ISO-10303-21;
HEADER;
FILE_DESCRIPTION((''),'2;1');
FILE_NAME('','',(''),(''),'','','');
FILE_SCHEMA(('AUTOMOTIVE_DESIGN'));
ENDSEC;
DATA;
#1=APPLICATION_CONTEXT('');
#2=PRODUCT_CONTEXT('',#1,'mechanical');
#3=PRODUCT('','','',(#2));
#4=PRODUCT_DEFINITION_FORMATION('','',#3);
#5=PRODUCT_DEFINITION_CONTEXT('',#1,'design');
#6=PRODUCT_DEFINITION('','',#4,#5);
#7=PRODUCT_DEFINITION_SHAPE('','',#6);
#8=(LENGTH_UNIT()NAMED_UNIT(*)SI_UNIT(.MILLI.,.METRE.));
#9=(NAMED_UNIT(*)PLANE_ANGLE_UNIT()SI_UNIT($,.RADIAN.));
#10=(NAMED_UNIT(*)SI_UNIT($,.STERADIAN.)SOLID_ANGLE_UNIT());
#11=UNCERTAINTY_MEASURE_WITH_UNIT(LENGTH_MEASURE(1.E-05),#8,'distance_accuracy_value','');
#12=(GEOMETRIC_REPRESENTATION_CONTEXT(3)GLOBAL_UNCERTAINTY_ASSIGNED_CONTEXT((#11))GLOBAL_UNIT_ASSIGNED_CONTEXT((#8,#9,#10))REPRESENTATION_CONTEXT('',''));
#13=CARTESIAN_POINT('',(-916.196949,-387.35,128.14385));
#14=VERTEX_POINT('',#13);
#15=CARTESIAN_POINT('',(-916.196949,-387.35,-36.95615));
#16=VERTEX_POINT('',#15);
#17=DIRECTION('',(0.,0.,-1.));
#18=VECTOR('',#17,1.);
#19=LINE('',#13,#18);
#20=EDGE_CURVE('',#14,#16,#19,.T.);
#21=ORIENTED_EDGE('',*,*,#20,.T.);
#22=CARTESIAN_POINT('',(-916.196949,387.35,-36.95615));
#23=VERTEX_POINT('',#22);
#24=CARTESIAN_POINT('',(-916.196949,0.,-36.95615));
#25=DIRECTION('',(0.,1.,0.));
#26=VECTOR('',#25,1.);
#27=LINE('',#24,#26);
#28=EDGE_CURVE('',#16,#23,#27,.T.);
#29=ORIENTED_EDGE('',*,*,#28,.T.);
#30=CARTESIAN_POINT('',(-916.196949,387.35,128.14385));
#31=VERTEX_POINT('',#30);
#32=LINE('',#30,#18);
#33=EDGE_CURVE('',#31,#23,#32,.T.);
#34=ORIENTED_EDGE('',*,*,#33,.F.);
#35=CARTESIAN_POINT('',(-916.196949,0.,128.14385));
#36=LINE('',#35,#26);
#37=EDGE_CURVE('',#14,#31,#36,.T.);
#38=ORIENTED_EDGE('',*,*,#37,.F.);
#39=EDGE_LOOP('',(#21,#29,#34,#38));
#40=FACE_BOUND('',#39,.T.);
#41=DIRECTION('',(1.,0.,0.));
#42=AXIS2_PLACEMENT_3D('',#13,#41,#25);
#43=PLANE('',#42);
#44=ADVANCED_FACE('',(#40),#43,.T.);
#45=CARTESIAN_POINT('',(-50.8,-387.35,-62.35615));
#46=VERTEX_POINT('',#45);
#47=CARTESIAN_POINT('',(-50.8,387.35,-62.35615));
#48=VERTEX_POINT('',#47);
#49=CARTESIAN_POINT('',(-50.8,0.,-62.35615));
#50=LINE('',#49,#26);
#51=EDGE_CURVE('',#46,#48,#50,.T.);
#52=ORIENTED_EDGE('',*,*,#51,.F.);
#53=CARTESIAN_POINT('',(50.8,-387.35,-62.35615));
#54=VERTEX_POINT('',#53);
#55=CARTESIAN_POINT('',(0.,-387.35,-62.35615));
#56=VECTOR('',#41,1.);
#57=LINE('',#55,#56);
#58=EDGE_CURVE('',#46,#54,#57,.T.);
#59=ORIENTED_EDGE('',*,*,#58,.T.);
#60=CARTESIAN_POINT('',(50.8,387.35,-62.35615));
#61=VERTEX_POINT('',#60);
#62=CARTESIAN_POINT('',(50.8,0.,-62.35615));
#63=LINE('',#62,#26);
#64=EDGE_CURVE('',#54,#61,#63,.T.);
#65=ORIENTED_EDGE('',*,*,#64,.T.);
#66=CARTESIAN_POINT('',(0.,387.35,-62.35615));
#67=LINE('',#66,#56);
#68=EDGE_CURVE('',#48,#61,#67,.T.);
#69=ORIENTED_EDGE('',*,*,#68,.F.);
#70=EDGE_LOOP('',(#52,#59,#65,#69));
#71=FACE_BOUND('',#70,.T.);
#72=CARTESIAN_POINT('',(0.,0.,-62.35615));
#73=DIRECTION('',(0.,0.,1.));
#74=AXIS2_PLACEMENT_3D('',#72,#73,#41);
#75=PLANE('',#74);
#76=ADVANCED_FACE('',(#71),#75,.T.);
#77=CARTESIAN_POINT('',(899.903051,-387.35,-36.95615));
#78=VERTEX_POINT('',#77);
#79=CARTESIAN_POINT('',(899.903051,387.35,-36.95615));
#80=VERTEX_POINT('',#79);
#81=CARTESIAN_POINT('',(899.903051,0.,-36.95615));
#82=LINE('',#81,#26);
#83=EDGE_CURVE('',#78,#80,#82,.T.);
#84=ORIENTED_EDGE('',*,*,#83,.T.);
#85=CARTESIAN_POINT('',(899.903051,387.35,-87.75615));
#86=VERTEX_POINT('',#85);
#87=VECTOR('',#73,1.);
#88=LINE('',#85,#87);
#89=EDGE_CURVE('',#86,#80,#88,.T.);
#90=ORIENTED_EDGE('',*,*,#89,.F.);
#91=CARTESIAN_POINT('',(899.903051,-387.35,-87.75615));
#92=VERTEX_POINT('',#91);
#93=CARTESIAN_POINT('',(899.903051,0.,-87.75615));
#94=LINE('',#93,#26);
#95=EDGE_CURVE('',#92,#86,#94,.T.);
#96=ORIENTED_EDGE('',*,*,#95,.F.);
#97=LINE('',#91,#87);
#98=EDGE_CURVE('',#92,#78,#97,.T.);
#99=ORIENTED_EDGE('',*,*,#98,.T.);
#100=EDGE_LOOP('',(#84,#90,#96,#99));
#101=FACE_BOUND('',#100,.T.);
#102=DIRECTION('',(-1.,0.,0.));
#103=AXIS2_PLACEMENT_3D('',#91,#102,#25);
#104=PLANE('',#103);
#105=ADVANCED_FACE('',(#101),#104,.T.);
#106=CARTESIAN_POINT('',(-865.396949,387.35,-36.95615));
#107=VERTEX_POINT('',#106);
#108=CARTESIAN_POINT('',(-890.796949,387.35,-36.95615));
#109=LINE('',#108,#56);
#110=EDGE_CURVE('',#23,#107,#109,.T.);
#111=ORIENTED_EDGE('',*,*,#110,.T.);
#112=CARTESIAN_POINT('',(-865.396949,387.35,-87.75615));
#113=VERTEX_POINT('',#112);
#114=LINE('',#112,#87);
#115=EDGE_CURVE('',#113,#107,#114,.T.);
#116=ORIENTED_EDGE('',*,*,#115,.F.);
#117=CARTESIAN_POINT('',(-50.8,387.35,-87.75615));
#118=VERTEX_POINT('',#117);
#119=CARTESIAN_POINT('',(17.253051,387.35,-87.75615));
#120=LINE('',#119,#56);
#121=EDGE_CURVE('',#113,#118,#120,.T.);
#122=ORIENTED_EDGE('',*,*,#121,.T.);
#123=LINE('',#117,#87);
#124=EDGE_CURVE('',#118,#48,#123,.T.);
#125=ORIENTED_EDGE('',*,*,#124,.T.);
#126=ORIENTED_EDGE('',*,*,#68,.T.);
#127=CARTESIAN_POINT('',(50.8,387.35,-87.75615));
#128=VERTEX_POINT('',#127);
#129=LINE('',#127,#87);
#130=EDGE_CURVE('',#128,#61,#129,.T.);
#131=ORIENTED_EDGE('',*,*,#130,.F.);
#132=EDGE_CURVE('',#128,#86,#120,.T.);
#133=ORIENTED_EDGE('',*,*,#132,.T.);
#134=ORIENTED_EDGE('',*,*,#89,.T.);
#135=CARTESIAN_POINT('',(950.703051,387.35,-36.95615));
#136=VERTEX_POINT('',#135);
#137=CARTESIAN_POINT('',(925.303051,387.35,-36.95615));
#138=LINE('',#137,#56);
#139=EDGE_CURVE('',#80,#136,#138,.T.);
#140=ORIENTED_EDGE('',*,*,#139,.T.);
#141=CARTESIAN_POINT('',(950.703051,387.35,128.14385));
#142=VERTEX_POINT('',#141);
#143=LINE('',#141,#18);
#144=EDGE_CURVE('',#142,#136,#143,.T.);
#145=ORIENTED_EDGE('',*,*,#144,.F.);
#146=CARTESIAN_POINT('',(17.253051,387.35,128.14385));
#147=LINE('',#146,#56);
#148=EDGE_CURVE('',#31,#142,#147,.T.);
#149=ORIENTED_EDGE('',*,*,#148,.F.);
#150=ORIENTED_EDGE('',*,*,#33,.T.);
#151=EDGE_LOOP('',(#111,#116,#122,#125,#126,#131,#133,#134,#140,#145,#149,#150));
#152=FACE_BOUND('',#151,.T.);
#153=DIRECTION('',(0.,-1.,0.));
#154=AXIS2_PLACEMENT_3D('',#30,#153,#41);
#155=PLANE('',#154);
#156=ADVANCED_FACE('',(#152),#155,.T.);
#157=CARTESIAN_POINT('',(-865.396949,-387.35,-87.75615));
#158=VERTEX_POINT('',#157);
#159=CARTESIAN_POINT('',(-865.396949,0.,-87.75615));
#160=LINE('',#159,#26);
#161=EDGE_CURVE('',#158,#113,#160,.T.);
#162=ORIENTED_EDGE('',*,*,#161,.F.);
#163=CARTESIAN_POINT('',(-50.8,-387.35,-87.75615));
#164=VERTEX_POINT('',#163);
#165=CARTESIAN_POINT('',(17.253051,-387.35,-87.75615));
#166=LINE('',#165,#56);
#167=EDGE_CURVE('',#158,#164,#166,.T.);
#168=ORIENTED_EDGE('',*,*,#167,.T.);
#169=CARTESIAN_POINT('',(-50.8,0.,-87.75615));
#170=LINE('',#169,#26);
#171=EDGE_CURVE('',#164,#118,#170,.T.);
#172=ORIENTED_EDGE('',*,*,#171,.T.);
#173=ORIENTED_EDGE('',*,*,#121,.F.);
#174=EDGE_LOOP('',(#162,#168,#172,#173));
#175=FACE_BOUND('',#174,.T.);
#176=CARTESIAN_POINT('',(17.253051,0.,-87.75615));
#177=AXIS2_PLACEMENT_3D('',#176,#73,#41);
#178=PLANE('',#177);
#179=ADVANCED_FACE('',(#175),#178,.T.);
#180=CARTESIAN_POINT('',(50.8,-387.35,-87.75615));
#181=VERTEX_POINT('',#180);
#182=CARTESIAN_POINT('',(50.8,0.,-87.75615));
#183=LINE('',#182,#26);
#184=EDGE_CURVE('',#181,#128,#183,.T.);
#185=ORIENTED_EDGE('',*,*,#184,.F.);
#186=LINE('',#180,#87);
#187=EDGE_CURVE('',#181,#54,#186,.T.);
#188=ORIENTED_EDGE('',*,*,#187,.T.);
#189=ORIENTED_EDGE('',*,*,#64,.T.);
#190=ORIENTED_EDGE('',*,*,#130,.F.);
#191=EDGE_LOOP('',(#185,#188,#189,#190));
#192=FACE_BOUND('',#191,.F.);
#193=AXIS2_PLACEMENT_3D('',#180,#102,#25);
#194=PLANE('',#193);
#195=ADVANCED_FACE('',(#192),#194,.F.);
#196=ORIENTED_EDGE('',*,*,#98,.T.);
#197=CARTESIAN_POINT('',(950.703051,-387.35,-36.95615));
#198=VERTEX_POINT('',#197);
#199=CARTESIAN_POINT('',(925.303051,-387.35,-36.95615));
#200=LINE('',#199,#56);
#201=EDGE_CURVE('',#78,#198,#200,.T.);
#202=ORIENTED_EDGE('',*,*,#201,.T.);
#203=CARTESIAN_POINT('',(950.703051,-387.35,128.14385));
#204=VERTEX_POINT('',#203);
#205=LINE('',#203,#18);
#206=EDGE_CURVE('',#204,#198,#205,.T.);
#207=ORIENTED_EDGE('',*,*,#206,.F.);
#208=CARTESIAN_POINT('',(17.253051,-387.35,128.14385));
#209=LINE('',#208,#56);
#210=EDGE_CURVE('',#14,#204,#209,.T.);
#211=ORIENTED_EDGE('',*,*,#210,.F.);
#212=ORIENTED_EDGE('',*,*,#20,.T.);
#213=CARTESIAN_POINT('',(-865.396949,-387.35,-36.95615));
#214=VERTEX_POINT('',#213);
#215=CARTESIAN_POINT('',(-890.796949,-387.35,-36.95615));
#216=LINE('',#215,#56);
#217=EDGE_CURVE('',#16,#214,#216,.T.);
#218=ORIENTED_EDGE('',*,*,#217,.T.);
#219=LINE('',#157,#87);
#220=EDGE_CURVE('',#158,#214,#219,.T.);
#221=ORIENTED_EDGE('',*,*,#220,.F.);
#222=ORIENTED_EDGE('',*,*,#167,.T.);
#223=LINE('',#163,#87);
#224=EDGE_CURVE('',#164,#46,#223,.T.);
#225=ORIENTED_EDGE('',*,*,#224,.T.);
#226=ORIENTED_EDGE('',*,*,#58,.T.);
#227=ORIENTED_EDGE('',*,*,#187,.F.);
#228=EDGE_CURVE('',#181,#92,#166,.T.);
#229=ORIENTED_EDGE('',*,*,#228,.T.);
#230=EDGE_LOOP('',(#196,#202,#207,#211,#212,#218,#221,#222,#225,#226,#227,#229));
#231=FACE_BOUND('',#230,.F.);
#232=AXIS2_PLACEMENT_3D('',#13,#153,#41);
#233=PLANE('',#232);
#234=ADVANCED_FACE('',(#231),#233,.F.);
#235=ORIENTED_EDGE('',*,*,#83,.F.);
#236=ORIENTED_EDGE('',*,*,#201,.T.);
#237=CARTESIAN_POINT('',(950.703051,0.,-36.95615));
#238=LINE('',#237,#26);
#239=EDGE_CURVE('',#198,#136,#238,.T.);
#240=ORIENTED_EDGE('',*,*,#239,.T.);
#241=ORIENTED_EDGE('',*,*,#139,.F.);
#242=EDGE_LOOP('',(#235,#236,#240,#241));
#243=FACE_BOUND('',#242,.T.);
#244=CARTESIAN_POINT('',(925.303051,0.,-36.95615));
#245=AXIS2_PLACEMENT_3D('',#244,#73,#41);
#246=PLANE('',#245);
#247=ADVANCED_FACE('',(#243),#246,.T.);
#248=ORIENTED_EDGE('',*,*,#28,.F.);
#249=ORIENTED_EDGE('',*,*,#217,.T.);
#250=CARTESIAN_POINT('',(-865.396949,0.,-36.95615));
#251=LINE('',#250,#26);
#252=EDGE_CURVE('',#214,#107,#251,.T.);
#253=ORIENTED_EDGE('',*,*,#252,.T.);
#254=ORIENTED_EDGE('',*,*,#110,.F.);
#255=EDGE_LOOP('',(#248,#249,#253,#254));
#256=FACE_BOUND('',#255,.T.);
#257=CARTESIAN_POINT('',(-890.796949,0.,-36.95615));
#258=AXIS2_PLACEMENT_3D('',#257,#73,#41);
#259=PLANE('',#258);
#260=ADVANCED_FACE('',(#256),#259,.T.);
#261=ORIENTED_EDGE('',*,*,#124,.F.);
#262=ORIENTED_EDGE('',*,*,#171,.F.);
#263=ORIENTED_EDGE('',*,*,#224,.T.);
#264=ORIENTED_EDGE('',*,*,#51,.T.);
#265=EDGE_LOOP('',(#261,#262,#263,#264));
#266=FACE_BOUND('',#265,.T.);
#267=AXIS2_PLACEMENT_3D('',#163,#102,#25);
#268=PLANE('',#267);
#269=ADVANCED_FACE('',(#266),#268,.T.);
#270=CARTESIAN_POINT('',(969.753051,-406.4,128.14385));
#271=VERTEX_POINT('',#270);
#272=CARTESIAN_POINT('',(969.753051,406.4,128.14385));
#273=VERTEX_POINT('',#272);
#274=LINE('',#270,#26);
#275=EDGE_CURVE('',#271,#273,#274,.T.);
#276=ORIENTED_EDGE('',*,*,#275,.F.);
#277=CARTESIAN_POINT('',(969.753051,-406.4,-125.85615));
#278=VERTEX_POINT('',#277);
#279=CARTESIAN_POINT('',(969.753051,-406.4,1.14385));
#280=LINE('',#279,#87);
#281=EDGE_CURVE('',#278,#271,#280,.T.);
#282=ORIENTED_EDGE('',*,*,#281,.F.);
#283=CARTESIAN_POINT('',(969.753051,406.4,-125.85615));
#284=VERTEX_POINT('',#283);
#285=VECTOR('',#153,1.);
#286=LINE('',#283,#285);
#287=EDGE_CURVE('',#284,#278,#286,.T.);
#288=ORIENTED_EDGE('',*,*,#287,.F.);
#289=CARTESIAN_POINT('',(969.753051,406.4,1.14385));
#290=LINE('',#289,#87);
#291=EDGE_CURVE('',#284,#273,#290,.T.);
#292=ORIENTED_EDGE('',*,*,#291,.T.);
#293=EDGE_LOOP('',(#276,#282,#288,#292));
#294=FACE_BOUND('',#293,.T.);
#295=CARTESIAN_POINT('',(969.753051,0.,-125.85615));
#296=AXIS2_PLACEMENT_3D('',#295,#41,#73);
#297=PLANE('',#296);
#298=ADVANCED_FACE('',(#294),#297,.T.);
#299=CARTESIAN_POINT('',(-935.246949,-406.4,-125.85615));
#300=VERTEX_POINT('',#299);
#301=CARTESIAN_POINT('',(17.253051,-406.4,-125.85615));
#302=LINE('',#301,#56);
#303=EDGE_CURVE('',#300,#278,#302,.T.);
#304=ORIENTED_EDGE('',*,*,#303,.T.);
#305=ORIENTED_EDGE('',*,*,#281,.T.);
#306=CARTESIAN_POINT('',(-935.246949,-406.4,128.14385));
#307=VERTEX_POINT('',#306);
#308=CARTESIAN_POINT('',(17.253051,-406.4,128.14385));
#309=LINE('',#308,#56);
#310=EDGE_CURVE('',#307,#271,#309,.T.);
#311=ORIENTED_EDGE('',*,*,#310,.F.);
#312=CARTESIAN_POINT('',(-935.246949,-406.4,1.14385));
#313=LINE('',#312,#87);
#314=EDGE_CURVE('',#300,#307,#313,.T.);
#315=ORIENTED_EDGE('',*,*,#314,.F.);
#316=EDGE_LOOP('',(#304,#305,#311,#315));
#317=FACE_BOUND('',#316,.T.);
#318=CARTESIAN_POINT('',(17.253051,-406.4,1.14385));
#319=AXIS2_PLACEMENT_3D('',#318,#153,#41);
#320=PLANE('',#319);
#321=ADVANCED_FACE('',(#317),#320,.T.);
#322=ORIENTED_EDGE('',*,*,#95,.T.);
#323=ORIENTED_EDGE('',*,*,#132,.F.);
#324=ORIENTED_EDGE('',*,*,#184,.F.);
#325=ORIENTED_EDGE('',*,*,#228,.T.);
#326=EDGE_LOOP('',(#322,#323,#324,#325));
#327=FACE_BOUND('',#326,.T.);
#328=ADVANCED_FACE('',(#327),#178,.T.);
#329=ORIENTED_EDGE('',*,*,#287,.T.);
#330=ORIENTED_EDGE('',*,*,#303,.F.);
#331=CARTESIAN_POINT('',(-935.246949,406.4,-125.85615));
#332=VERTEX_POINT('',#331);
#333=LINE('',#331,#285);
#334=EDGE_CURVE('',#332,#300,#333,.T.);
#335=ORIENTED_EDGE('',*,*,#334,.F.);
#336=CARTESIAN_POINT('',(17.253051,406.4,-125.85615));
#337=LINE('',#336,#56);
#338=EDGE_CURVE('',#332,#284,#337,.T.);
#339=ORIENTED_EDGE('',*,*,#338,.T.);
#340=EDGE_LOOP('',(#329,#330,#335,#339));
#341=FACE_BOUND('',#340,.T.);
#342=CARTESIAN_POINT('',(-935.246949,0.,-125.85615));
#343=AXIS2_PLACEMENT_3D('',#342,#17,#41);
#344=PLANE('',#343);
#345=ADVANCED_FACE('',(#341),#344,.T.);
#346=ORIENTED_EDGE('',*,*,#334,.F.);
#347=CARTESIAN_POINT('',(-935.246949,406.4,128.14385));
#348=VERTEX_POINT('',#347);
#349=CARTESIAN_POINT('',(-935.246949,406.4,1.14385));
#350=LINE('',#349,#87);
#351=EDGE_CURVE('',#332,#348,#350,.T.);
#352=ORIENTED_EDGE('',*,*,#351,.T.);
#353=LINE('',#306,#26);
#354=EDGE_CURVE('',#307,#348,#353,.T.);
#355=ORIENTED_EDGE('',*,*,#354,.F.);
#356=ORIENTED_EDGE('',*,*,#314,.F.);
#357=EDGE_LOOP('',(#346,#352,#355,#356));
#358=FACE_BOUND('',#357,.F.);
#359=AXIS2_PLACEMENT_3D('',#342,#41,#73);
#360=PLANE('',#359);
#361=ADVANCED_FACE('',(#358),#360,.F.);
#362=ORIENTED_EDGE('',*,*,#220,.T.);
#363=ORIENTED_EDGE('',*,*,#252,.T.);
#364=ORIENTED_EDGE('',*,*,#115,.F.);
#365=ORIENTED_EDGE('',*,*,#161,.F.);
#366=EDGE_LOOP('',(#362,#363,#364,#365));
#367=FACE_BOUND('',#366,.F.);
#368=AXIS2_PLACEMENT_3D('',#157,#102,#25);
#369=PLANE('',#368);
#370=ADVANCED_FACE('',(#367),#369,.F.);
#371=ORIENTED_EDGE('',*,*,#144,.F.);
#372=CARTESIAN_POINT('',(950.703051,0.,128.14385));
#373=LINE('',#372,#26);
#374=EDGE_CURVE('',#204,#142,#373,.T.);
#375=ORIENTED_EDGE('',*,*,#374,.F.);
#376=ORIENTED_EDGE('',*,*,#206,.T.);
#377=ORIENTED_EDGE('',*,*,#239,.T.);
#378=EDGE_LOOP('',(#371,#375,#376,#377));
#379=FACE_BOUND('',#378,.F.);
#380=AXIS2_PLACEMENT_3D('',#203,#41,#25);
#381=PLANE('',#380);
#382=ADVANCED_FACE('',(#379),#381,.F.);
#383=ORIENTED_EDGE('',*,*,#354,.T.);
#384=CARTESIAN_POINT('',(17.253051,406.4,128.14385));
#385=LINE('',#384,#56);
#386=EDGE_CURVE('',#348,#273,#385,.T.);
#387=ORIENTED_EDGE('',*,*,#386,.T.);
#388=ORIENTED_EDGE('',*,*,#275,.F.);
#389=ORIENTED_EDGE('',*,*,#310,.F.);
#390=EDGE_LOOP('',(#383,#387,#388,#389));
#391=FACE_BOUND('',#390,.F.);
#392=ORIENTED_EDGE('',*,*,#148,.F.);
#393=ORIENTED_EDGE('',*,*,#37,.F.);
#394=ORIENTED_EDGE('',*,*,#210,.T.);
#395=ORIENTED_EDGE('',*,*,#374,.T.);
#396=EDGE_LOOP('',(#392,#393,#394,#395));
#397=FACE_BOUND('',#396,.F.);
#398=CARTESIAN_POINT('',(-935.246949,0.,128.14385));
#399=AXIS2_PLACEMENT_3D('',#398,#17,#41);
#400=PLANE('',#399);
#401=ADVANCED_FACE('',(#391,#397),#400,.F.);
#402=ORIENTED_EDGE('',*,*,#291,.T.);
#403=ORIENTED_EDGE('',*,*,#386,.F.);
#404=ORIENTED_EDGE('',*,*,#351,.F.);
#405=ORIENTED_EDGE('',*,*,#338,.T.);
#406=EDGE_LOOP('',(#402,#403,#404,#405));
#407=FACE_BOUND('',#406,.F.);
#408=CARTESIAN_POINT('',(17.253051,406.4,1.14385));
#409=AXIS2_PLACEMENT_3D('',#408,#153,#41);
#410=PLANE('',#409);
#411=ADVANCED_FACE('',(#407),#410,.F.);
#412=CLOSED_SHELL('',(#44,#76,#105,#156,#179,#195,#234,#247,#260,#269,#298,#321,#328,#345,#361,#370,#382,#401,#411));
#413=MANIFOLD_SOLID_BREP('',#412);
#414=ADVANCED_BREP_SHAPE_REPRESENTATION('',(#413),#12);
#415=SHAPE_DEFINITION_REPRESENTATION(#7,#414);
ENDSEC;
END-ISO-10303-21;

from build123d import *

# Parameters (mm, degrees)
F0_W     = 1905
F0_H     = 254
F1_DEPTH = 406.4
F2_W     = 1866.9
F2_H     = 774.7
F3_DEPTH = 215.9
F4_W     = 50.8
F4_H     = 774.7
F5_DEPTH = 50.8
F6_W     = 101.6
F6_H     = 774.7
F7_DEPTH = 25.4


with BuildPart() as f1:
    # F0 (on Front) → F1 (new body, symmetric)
    with BuildSketch(Plane.XZ):
        with Locations((17.253051, 1.14385)):
            Rectangle(F0_W, F0_H)
    extrude(amount=F1_DEPTH, both=True)

    # F2 (on face) → F3 (cut)
    with BuildSketch(Plane.XY.offset(128.14385)):
        with Locations((17.253051, 0)):
            Rectangle(F2_W, F2_H)
    extrude(amount=-F3_DEPTH, mode=Mode.SUBTRACT)

    # F4 (on face) → F5 (join)
    with BuildSketch(Plane.XY.offset(-87.75615)):
        with Locations((-890.796949, 0)):
            Rectangle(F4_W, F4_H)
        with Locations((925.303051, 0)):
            Rectangle(F4_W, F4_H)
    extrude(amount=F5_DEPTH)

    # F6 (on face) → F7 (join)
    with BuildSketch(Plane.XY.offset(-87.75615)):
        Rectangle(F6_W, F6_H)
    extrude(amount=F7_DEPTH)


solid = f1.part
